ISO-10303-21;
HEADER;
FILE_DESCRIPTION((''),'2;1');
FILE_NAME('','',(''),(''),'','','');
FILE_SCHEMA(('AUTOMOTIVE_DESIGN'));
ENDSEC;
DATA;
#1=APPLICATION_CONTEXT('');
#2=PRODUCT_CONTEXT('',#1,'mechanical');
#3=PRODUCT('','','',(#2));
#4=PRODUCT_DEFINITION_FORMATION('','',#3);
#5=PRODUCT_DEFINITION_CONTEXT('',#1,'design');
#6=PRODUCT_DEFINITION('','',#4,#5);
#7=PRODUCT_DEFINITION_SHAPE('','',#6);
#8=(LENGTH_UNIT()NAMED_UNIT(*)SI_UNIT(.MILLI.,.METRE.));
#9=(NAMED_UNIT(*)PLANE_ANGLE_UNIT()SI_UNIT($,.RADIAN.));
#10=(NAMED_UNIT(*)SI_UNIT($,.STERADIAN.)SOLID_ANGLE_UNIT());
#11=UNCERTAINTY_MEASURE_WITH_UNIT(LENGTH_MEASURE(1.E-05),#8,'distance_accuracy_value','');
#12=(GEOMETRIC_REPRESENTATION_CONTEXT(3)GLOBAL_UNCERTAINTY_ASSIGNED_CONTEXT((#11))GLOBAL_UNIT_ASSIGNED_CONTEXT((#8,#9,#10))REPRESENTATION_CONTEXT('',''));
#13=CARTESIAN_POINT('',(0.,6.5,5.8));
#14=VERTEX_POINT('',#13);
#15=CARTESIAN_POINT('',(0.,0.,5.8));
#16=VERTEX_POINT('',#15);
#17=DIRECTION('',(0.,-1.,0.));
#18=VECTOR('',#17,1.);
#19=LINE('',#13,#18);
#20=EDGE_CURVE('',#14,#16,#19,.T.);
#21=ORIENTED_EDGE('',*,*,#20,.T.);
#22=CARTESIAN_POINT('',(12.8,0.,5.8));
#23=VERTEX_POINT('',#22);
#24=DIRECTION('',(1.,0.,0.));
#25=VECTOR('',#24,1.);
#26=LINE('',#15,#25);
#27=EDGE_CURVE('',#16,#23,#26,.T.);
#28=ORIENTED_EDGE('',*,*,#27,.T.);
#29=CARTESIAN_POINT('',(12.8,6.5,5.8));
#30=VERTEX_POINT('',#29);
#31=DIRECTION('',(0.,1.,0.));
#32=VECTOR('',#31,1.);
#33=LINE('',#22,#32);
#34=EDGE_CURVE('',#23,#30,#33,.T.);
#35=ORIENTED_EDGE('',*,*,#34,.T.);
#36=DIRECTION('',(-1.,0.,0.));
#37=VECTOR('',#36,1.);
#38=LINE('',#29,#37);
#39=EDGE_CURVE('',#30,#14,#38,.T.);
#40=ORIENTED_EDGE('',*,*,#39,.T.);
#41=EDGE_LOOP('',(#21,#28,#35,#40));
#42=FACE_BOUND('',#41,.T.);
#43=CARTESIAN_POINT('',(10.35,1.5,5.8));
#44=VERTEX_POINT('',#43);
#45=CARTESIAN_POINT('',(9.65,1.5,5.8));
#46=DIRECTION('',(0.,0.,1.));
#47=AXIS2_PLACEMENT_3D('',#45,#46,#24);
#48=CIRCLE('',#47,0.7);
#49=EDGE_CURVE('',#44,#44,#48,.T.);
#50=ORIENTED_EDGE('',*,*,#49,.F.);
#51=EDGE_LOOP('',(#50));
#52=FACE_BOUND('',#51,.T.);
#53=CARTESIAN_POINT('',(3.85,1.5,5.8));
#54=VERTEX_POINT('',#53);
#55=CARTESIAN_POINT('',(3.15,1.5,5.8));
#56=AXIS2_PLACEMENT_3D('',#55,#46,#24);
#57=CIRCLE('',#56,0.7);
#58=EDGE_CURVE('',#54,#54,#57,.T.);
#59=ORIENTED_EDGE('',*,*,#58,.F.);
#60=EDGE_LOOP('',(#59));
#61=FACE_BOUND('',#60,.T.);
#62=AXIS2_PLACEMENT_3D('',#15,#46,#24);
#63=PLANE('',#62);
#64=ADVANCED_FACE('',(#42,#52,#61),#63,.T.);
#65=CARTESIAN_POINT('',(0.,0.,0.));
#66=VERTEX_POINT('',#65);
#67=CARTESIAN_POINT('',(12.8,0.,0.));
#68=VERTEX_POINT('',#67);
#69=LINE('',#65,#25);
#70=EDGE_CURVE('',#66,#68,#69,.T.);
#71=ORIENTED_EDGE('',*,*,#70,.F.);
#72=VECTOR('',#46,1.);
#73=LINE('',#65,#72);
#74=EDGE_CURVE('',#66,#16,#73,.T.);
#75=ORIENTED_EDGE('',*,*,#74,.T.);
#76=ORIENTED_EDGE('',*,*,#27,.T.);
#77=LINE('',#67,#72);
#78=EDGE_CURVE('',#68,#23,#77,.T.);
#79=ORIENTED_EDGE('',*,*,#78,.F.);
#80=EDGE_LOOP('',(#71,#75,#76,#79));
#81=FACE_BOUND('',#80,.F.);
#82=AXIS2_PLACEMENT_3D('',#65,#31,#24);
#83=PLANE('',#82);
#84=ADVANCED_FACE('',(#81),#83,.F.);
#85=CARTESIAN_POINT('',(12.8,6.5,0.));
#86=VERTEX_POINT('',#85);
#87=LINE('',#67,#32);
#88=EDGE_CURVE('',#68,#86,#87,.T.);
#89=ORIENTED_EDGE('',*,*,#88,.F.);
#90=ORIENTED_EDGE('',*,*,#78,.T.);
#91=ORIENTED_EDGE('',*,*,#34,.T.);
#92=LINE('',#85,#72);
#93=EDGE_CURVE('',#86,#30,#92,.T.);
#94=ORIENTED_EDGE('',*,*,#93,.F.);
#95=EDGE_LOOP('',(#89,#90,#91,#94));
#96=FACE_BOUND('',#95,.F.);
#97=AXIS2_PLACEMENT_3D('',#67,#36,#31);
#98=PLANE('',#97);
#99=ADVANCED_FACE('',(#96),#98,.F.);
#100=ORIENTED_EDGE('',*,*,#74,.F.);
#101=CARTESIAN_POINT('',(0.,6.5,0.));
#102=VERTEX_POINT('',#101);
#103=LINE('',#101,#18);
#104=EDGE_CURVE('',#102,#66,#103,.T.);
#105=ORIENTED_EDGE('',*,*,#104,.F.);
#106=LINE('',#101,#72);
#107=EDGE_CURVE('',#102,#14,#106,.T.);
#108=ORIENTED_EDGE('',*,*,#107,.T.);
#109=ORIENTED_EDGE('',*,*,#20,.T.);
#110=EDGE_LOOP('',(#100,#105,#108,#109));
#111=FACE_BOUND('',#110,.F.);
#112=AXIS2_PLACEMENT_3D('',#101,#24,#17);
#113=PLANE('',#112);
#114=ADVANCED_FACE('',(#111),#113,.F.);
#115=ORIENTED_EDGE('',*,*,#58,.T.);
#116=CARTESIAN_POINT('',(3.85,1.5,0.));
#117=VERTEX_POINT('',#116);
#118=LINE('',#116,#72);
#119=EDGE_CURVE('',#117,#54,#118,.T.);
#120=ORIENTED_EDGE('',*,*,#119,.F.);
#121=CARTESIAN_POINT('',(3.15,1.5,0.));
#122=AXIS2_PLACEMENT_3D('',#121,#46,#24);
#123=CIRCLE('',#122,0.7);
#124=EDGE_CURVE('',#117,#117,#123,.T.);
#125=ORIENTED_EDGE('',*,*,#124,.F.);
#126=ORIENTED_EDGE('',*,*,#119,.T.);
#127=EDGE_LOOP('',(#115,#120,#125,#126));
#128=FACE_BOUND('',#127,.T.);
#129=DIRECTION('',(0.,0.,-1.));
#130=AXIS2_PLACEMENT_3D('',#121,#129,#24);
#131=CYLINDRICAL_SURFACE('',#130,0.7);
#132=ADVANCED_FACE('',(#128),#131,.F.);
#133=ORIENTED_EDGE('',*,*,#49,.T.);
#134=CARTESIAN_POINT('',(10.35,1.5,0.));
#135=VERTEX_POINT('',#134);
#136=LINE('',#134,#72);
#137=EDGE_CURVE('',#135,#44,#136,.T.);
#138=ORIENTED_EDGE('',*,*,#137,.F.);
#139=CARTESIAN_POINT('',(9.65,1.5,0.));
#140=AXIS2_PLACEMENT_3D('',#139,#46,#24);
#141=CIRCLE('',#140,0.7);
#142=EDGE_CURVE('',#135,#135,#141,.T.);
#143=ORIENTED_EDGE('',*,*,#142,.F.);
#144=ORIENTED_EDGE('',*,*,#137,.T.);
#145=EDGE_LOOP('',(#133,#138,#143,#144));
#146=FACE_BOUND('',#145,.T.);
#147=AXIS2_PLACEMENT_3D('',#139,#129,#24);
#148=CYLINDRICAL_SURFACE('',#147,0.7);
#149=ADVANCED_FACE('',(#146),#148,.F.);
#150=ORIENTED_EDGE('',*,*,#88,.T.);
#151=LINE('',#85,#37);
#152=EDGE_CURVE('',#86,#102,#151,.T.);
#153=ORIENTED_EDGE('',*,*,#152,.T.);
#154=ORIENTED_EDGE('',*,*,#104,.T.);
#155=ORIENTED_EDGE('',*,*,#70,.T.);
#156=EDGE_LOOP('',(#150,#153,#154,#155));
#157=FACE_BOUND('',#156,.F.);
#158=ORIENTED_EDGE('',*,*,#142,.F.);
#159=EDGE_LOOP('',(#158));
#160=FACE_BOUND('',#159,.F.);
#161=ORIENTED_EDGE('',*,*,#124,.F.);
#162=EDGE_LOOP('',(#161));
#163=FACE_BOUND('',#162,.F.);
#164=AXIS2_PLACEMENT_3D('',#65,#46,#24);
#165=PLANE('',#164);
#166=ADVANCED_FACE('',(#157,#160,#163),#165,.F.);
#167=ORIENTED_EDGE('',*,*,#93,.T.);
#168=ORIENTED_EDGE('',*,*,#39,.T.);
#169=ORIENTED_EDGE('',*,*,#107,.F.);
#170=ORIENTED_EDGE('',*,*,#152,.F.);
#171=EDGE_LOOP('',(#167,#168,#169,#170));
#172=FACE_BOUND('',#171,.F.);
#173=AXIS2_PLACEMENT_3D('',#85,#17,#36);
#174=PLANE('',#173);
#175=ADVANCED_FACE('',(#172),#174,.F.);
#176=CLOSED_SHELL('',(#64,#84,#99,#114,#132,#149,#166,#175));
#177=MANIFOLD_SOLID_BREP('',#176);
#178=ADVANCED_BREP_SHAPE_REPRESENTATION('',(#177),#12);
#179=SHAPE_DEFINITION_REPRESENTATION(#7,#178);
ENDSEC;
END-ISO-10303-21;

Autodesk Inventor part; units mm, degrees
ref_plane "YZ Plane" through (0, 0, 0) normal (1, 0, 0) x (0, 1, 0)
ref_plane "XZ Plane" through (0, 0, 0) normal (0, 1, 0) x (-1, 0, 0)
ref_plane "XY Plane" through (0, 0, 0) normal (0, 0, 1) x (1, 0, 0)
sketch "Skizze1" plane through (0, 0, 0) normal (0, 0, 1) x (1, 0, 0)
  line L0 (0, 0) -> (12.8, 0)
  line L1 (12.8, 0) -> (12.8, 6.5)
  line L2 (12.8, 6.5) -> (0, 6.5)
  line L3 (0, 6.5) -> (0, 0)
  circle A0 centre (3.15, 1.5) radius 0.7
  circle A1 centre (9.65, 1.5) radius 0.7
  line L4 (3.15, 1.5) -> (9.65, 1.5) construction
  line L5 (6.4, 0) -> (6.4, 6.5) construction
  dimension "d0" = 12.8
  dimension "d1" = 6.5
  dimension "d2" = 1.5
  dimension "d3" = 3.15
  dimension "d4" = 6.5
  dimension "d7" = 1.4
extrude "Extrusion1" add sketch "Skizze1" along normal blind 5.8
ref_plane "Arbeitsebene1" through (0, 0, 2.9) normal (0, 0, 1) x (1, 0, 0)
sketch "Skizze2" plane through (0, 0, 2.9) normal (0, 0, 1) x (1, 0, 0)
  circle A0 centre (3.15, 1.5) radius 0.7 construction
  line L0 (0, 0) -> (12.8, 0) projected
  line L1 (13.95, 8.3) -> (1, 6.5)
  line L2 (12.8, 6.5) -> (0, 6.5) projected
  line L3 (13.95, 11.5) -> (1, 6.5) construction
  line L4 (0, 6.5) -> (0, 0) projected
  line L5 (13.95, 8.3) -> (14.0188, 7.8048)
  line L6 (14.0188, 7.8048) -> (1.0688, 6.0048)
  line L7 (1.0688, 6.0048) -> (1, 6.5)
  point P0 (4.6318, 6.5)
  dimension "d8" = 10.8
  dimension "d9" = 10.8
  dimension "d10" = 8.3
  dimension "d11" = 11.5
  dimension "d12" = 1
  dimension "d13" = 0.5
equation "\"d9\" = d8"
properties part number "LimitSwitch"
